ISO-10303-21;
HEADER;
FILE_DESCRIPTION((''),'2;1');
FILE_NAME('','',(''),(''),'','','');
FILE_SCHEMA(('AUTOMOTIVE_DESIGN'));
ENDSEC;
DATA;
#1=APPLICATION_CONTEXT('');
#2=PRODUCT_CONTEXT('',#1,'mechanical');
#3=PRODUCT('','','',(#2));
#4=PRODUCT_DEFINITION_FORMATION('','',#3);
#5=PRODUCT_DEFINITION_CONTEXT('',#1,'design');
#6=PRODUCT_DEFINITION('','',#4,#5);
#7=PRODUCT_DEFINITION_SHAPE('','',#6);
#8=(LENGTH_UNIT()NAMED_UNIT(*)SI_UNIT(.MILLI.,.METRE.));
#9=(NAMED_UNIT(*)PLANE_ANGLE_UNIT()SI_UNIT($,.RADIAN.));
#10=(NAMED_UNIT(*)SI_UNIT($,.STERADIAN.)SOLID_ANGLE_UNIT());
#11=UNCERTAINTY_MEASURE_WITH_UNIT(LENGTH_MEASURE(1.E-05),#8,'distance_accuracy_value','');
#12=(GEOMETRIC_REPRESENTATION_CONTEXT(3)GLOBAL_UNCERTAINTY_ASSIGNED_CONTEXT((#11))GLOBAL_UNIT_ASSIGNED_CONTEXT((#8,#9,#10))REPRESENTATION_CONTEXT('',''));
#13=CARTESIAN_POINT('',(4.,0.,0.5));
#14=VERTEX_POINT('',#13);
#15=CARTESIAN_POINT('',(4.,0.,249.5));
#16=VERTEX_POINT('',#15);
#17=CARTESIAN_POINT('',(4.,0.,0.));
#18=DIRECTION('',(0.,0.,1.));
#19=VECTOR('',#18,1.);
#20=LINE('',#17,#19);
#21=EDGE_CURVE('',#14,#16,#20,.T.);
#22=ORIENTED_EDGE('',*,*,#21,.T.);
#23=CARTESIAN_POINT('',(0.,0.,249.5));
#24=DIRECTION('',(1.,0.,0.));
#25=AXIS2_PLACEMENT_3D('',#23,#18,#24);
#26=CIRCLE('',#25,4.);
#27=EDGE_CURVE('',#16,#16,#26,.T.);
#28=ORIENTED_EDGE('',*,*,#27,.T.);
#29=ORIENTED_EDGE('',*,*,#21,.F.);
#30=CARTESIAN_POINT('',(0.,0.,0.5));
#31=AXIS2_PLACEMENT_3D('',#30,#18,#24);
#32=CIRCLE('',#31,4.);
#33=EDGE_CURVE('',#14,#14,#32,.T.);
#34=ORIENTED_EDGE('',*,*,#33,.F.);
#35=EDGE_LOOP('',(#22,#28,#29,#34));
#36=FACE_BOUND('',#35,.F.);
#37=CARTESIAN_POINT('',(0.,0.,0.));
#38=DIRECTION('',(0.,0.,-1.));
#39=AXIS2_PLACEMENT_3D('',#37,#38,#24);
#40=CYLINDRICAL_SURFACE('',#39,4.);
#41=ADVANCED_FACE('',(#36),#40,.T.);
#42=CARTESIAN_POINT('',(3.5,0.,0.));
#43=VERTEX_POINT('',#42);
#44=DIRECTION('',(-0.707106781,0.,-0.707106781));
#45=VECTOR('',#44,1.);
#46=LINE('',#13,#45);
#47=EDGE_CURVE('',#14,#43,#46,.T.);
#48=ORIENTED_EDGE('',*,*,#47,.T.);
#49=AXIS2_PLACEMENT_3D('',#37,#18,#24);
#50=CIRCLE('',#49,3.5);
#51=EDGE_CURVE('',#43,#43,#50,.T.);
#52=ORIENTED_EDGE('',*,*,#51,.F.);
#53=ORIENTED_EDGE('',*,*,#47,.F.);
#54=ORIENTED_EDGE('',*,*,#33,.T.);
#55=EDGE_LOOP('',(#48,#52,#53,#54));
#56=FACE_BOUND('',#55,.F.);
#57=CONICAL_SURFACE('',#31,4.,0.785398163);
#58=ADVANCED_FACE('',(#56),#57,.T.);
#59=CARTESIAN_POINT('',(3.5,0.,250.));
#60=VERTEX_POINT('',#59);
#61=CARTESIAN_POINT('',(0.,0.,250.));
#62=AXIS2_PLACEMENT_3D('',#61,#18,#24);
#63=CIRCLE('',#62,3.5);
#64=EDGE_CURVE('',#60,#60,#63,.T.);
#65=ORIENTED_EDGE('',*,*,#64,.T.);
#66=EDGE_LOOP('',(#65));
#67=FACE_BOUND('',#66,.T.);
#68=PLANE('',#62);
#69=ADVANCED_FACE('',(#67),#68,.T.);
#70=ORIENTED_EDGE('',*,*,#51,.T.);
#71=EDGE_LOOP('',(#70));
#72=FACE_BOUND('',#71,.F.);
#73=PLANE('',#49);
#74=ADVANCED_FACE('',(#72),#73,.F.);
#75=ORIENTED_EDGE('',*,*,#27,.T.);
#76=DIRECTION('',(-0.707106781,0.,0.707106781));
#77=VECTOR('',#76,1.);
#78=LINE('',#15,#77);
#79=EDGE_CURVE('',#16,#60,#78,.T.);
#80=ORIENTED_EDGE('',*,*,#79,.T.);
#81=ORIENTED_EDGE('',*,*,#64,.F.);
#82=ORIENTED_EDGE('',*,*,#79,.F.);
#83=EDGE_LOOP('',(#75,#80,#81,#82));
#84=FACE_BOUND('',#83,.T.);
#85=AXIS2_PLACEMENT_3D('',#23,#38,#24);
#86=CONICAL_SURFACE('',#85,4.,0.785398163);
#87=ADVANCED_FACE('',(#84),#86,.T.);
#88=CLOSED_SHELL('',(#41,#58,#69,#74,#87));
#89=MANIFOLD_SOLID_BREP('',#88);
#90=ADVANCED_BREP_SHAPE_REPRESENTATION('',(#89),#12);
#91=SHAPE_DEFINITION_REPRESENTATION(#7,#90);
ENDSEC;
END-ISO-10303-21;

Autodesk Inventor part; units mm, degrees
ref_plane "YZ Plane" through (0, 0, 0) normal (1, 0, 0) x (0, 1, 0)
ref_plane "XZ Plane" through (0, 0, 0) normal (0, 1, 0) x (-1, 0, 0)
ref_plane "XY Plane" through (0, 0, 0) normal (0, 0, 1) x (1, 0, 0)
sketch "Sketch1" plane through (0, 0, 0) normal (0, 0, 1) x (1, 0, 0)
  circle A0 centre (0, 0) radius 4
  dimension "d0" = 8
extrude "Extrusion1" add sketch "Sketch1" along normal blind 250
chamfer "Chamfer1" distance 0.5 angle 45 2 edges at (-4, 0, 0) (-4, 0, 250)
properties part number "T8x250mm"
